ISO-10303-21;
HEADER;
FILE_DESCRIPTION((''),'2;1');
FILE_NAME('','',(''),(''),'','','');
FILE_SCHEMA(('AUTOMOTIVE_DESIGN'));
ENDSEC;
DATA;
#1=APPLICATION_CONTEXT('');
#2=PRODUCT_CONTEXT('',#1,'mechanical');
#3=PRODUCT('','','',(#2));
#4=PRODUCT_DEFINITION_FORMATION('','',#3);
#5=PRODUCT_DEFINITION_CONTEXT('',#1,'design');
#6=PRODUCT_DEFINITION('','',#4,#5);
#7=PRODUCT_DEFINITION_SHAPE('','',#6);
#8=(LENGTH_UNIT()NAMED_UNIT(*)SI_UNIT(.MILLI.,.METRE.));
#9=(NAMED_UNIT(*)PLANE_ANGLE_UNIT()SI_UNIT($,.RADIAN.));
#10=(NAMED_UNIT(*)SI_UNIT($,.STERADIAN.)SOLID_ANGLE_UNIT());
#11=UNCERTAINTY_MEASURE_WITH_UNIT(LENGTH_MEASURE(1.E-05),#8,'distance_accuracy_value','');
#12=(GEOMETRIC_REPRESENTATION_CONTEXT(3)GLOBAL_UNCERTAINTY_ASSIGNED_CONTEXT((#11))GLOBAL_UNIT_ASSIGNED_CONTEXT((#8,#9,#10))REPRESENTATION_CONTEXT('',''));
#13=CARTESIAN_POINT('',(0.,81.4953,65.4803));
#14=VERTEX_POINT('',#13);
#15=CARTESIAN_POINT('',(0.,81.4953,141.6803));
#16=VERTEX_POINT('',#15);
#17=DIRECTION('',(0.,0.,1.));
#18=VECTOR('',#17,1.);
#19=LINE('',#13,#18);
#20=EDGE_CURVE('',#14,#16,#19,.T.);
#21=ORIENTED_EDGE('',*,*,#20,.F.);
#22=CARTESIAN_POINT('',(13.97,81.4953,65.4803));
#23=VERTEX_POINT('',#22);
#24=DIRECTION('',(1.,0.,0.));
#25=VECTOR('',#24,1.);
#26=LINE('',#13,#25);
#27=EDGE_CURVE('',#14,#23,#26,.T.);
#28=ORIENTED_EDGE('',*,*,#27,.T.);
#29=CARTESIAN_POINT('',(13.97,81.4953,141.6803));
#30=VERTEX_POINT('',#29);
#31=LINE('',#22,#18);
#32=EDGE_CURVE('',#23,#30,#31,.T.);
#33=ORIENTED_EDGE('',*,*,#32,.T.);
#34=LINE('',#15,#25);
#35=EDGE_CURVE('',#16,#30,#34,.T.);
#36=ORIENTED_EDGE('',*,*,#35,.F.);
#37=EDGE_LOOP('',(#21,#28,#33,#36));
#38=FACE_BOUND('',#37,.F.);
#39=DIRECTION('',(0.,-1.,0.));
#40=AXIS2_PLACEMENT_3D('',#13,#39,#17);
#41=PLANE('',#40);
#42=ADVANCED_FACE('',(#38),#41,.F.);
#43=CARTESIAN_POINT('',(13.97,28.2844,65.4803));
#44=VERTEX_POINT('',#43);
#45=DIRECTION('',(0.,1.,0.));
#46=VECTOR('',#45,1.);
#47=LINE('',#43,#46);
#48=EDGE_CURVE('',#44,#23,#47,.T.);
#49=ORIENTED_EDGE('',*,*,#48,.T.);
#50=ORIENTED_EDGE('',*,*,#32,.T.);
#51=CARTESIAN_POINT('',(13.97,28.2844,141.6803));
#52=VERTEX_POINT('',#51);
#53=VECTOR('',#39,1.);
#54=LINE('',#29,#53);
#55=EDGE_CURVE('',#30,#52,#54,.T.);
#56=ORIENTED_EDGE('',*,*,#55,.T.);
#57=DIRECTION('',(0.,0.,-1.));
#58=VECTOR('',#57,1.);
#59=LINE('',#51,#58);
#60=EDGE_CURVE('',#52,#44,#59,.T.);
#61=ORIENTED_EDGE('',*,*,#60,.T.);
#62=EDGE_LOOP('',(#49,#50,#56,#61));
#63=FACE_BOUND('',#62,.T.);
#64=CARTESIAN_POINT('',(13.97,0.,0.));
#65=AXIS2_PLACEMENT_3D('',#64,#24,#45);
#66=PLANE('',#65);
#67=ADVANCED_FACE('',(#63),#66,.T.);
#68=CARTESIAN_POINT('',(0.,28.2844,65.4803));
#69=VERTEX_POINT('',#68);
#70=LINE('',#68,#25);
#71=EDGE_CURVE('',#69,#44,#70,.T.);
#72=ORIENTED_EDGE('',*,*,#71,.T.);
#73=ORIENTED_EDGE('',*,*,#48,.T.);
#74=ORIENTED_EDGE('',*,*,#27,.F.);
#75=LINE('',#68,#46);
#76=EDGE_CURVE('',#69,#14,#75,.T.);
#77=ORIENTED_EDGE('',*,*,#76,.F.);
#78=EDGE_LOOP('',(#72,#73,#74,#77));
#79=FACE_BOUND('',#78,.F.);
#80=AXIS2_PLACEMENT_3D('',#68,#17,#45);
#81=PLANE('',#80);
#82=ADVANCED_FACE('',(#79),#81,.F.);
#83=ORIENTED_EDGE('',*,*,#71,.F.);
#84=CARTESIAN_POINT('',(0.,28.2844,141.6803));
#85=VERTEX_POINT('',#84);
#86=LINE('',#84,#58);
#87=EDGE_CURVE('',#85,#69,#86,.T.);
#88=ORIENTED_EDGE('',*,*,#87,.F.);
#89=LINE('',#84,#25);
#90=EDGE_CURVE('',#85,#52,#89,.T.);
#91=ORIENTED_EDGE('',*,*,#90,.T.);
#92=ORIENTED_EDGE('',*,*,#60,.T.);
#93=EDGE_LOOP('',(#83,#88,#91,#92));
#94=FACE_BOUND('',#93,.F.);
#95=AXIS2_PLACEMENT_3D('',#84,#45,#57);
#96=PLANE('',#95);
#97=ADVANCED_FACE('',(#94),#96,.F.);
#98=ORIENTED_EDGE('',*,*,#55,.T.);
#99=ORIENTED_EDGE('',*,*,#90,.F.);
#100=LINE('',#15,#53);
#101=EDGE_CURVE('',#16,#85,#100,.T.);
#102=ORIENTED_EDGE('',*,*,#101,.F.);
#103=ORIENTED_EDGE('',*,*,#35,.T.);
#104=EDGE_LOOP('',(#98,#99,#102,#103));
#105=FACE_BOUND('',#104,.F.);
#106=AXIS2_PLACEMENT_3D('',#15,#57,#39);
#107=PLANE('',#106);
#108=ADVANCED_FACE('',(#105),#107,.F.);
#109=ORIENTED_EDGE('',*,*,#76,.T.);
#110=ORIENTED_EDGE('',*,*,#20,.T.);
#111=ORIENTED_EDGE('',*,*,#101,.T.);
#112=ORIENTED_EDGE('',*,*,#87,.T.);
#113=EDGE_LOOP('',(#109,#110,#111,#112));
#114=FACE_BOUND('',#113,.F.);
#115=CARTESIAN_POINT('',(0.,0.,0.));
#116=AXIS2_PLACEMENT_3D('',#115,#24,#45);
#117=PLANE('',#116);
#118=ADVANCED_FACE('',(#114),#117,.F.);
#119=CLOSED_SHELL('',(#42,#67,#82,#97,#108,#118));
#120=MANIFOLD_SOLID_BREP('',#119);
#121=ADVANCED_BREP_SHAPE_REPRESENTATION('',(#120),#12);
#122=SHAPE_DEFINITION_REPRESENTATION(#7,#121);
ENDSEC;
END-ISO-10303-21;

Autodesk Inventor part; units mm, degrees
ref_plane "YZ Plane" through (0, 0, 0) normal (1, 0, 0) x (0, 1, 0)
ref_plane "XZ Plane" through (0, 0, 0) normal (0, 1, 0) x (-1, 0, 0)
ref_plane "XY Plane" through (0, 0, 0) normal (0, 0, 1) x (1, 0, 0)
sketch "Sketch1" plane through (0, 0, 0) normal (1, 0, 0) x (0, 1, 0)
  line L0 (81.4953, 141.6803) -> (28.2844, 141.6803)
  line L1 (28.2844, 141.6803) -> (28.2844, 65.4803)
  line L2 (28.2844, 65.4803) -> (81.4953, 65.4803)
  line L3 (81.4953, 65.4803) -> (81.4953, 141.6803)
  point P0 (0, 0)
  dimension "d0" = 76.2
  dimension "d1" = 53.2109
extrude "Extrusion1" add sketch "Sketch1" along normal blind 13.97
